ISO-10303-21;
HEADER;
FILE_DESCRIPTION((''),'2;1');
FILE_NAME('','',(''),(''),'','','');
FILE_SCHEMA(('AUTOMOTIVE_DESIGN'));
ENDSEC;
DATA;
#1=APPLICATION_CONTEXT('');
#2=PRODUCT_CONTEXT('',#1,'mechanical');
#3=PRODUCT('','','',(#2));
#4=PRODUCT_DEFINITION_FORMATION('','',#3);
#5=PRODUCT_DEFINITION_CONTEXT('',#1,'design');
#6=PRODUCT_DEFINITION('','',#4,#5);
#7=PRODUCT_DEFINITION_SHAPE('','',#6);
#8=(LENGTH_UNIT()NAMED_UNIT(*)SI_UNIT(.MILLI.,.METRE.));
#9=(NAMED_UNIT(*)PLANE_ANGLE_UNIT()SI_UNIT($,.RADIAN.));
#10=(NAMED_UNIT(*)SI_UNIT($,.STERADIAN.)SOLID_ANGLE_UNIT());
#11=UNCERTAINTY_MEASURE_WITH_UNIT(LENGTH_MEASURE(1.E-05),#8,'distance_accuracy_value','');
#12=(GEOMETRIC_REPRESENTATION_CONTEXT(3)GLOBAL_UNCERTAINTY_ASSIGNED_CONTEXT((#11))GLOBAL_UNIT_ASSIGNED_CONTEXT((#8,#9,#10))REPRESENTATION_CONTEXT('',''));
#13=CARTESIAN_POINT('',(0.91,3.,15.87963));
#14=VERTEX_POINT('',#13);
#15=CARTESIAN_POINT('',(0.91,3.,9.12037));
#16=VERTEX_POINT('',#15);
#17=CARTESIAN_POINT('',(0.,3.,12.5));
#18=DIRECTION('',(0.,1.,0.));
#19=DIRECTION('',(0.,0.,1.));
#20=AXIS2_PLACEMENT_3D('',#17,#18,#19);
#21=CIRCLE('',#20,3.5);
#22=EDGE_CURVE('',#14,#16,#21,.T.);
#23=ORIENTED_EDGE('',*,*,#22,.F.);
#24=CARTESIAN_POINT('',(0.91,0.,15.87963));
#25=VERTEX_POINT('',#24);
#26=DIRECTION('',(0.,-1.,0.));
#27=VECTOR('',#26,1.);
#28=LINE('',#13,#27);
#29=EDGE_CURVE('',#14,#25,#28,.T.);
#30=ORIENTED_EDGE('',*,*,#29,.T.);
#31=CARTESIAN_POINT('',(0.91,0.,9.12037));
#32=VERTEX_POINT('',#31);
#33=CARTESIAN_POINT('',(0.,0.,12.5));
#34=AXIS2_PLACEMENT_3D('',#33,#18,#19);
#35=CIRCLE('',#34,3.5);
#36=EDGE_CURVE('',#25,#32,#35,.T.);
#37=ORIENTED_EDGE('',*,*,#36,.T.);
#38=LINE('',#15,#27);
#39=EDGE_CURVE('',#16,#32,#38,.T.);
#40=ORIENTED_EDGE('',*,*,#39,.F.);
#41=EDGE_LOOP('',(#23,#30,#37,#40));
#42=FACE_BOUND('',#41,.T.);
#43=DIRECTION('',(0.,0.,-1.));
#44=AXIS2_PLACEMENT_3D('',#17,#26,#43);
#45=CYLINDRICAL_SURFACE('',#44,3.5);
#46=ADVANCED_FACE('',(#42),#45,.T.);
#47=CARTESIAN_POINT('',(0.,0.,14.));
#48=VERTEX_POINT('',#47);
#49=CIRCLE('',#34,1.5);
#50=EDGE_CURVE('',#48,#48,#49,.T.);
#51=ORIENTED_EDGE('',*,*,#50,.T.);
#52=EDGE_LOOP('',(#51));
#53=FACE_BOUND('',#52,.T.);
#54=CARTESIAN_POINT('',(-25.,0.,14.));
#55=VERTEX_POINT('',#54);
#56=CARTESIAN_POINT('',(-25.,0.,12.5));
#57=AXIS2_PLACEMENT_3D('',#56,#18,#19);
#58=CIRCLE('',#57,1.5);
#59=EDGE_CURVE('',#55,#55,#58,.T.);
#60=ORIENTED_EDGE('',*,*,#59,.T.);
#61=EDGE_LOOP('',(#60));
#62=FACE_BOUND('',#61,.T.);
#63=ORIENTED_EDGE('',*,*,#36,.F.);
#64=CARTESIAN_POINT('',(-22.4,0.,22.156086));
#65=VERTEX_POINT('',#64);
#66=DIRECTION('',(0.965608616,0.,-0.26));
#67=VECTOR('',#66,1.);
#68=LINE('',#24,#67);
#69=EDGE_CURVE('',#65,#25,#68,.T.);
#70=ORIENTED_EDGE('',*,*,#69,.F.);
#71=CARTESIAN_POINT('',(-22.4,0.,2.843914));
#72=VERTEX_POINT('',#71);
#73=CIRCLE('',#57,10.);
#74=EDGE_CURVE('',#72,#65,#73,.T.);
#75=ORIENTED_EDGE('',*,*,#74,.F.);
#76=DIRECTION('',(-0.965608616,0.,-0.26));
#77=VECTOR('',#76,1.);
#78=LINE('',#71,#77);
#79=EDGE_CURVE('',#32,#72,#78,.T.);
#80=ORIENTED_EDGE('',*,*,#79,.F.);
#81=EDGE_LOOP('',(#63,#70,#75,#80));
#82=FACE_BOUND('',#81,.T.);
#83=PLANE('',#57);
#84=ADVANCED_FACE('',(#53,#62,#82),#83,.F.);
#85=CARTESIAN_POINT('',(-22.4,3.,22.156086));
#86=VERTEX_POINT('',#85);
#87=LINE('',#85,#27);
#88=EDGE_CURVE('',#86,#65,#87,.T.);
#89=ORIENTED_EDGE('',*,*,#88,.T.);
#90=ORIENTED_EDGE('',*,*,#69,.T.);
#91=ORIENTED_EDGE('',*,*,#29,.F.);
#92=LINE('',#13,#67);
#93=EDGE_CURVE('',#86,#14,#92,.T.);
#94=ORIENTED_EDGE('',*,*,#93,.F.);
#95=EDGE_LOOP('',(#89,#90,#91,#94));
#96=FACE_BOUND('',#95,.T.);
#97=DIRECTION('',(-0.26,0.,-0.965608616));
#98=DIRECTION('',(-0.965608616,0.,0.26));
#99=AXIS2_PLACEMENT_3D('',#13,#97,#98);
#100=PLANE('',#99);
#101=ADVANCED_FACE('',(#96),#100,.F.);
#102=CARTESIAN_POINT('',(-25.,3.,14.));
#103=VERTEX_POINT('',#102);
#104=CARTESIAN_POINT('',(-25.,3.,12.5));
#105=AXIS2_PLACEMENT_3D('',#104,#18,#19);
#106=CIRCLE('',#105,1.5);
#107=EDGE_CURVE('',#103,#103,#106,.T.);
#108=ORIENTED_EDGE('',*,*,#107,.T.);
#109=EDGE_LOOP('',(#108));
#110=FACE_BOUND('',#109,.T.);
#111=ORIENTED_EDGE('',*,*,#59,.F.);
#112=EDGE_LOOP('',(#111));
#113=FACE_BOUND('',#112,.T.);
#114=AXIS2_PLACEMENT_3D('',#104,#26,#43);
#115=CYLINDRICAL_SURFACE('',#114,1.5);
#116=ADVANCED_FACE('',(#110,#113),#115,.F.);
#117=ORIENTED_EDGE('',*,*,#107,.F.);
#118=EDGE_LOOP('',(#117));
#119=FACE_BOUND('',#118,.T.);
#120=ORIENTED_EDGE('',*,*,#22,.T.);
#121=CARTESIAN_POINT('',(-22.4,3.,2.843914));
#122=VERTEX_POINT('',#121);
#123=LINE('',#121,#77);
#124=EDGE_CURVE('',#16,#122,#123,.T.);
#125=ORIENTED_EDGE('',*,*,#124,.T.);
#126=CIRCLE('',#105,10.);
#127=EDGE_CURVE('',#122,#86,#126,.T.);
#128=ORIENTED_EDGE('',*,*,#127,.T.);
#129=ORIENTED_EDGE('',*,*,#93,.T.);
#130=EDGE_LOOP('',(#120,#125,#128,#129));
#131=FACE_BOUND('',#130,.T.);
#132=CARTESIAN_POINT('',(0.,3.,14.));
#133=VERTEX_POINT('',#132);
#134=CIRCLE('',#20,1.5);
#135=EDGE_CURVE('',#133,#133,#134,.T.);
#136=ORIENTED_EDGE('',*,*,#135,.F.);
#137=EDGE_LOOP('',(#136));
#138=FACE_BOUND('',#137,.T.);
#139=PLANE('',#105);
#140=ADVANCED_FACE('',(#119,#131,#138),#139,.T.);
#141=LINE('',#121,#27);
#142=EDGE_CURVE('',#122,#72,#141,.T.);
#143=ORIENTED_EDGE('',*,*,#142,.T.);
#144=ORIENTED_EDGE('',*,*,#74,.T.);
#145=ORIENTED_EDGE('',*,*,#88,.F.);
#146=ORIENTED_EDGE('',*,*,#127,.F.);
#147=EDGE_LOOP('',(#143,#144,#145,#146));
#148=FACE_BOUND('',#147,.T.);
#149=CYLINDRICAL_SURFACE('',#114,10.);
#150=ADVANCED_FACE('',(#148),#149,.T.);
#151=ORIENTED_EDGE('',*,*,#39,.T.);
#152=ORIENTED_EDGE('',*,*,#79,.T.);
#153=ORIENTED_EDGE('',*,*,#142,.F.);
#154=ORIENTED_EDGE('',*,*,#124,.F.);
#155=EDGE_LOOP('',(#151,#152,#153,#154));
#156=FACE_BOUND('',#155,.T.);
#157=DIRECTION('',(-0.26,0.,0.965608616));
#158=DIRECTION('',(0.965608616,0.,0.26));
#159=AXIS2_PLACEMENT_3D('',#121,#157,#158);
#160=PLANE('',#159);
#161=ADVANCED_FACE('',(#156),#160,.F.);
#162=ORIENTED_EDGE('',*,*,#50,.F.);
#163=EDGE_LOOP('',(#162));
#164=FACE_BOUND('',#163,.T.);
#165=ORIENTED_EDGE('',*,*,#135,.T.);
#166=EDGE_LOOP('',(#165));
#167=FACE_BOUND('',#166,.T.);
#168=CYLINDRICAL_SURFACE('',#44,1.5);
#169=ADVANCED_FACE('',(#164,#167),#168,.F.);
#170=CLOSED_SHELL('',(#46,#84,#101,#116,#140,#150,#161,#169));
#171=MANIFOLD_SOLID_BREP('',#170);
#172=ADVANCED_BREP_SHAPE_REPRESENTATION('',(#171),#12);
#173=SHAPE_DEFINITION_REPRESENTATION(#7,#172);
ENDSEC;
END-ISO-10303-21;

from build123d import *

# Parameters (mm, degrees)
SKETCH3_R           = 1.5
BOSS_EXTRUDE1_DEPTH = 3


with BuildPart() as part:
    # Sketch3 → Boss-Extrude1 (new body)
    with BuildSketch(Plane(origin=(0, 0, 0), x_dir=(1, 0, 0), z_dir=(0, 1, 0))):
        with BuildLine():
            Line((-22.4, -2.843913836), (0.91, -9.120369843))
            ThreePointArc((0.91, -9.120369843), (3.5, -12.5), (0.91, -15.879630157))
            Line((0.91, -15.879630157), (-22.4, -22.156086164))
            ThreePointArc((-22.4, -22.156086164), (-35, -12.5), (-22.4, -2.843913836))
        make_face()
        with Locations(Location((0, -12.5, 0), (0, 0, 270))):
            Circle(SKETCH3_R, mode=Mode.SUBTRACT)
        with Locations(Location((-25, -12.5, 0), (0, 0, 270))):
            Circle(SKETCH3_R, mode=Mode.SUBTRACT)
    extrude(amount=BOSS_EXTRUDE1_DEPTH)


solid = part.part
